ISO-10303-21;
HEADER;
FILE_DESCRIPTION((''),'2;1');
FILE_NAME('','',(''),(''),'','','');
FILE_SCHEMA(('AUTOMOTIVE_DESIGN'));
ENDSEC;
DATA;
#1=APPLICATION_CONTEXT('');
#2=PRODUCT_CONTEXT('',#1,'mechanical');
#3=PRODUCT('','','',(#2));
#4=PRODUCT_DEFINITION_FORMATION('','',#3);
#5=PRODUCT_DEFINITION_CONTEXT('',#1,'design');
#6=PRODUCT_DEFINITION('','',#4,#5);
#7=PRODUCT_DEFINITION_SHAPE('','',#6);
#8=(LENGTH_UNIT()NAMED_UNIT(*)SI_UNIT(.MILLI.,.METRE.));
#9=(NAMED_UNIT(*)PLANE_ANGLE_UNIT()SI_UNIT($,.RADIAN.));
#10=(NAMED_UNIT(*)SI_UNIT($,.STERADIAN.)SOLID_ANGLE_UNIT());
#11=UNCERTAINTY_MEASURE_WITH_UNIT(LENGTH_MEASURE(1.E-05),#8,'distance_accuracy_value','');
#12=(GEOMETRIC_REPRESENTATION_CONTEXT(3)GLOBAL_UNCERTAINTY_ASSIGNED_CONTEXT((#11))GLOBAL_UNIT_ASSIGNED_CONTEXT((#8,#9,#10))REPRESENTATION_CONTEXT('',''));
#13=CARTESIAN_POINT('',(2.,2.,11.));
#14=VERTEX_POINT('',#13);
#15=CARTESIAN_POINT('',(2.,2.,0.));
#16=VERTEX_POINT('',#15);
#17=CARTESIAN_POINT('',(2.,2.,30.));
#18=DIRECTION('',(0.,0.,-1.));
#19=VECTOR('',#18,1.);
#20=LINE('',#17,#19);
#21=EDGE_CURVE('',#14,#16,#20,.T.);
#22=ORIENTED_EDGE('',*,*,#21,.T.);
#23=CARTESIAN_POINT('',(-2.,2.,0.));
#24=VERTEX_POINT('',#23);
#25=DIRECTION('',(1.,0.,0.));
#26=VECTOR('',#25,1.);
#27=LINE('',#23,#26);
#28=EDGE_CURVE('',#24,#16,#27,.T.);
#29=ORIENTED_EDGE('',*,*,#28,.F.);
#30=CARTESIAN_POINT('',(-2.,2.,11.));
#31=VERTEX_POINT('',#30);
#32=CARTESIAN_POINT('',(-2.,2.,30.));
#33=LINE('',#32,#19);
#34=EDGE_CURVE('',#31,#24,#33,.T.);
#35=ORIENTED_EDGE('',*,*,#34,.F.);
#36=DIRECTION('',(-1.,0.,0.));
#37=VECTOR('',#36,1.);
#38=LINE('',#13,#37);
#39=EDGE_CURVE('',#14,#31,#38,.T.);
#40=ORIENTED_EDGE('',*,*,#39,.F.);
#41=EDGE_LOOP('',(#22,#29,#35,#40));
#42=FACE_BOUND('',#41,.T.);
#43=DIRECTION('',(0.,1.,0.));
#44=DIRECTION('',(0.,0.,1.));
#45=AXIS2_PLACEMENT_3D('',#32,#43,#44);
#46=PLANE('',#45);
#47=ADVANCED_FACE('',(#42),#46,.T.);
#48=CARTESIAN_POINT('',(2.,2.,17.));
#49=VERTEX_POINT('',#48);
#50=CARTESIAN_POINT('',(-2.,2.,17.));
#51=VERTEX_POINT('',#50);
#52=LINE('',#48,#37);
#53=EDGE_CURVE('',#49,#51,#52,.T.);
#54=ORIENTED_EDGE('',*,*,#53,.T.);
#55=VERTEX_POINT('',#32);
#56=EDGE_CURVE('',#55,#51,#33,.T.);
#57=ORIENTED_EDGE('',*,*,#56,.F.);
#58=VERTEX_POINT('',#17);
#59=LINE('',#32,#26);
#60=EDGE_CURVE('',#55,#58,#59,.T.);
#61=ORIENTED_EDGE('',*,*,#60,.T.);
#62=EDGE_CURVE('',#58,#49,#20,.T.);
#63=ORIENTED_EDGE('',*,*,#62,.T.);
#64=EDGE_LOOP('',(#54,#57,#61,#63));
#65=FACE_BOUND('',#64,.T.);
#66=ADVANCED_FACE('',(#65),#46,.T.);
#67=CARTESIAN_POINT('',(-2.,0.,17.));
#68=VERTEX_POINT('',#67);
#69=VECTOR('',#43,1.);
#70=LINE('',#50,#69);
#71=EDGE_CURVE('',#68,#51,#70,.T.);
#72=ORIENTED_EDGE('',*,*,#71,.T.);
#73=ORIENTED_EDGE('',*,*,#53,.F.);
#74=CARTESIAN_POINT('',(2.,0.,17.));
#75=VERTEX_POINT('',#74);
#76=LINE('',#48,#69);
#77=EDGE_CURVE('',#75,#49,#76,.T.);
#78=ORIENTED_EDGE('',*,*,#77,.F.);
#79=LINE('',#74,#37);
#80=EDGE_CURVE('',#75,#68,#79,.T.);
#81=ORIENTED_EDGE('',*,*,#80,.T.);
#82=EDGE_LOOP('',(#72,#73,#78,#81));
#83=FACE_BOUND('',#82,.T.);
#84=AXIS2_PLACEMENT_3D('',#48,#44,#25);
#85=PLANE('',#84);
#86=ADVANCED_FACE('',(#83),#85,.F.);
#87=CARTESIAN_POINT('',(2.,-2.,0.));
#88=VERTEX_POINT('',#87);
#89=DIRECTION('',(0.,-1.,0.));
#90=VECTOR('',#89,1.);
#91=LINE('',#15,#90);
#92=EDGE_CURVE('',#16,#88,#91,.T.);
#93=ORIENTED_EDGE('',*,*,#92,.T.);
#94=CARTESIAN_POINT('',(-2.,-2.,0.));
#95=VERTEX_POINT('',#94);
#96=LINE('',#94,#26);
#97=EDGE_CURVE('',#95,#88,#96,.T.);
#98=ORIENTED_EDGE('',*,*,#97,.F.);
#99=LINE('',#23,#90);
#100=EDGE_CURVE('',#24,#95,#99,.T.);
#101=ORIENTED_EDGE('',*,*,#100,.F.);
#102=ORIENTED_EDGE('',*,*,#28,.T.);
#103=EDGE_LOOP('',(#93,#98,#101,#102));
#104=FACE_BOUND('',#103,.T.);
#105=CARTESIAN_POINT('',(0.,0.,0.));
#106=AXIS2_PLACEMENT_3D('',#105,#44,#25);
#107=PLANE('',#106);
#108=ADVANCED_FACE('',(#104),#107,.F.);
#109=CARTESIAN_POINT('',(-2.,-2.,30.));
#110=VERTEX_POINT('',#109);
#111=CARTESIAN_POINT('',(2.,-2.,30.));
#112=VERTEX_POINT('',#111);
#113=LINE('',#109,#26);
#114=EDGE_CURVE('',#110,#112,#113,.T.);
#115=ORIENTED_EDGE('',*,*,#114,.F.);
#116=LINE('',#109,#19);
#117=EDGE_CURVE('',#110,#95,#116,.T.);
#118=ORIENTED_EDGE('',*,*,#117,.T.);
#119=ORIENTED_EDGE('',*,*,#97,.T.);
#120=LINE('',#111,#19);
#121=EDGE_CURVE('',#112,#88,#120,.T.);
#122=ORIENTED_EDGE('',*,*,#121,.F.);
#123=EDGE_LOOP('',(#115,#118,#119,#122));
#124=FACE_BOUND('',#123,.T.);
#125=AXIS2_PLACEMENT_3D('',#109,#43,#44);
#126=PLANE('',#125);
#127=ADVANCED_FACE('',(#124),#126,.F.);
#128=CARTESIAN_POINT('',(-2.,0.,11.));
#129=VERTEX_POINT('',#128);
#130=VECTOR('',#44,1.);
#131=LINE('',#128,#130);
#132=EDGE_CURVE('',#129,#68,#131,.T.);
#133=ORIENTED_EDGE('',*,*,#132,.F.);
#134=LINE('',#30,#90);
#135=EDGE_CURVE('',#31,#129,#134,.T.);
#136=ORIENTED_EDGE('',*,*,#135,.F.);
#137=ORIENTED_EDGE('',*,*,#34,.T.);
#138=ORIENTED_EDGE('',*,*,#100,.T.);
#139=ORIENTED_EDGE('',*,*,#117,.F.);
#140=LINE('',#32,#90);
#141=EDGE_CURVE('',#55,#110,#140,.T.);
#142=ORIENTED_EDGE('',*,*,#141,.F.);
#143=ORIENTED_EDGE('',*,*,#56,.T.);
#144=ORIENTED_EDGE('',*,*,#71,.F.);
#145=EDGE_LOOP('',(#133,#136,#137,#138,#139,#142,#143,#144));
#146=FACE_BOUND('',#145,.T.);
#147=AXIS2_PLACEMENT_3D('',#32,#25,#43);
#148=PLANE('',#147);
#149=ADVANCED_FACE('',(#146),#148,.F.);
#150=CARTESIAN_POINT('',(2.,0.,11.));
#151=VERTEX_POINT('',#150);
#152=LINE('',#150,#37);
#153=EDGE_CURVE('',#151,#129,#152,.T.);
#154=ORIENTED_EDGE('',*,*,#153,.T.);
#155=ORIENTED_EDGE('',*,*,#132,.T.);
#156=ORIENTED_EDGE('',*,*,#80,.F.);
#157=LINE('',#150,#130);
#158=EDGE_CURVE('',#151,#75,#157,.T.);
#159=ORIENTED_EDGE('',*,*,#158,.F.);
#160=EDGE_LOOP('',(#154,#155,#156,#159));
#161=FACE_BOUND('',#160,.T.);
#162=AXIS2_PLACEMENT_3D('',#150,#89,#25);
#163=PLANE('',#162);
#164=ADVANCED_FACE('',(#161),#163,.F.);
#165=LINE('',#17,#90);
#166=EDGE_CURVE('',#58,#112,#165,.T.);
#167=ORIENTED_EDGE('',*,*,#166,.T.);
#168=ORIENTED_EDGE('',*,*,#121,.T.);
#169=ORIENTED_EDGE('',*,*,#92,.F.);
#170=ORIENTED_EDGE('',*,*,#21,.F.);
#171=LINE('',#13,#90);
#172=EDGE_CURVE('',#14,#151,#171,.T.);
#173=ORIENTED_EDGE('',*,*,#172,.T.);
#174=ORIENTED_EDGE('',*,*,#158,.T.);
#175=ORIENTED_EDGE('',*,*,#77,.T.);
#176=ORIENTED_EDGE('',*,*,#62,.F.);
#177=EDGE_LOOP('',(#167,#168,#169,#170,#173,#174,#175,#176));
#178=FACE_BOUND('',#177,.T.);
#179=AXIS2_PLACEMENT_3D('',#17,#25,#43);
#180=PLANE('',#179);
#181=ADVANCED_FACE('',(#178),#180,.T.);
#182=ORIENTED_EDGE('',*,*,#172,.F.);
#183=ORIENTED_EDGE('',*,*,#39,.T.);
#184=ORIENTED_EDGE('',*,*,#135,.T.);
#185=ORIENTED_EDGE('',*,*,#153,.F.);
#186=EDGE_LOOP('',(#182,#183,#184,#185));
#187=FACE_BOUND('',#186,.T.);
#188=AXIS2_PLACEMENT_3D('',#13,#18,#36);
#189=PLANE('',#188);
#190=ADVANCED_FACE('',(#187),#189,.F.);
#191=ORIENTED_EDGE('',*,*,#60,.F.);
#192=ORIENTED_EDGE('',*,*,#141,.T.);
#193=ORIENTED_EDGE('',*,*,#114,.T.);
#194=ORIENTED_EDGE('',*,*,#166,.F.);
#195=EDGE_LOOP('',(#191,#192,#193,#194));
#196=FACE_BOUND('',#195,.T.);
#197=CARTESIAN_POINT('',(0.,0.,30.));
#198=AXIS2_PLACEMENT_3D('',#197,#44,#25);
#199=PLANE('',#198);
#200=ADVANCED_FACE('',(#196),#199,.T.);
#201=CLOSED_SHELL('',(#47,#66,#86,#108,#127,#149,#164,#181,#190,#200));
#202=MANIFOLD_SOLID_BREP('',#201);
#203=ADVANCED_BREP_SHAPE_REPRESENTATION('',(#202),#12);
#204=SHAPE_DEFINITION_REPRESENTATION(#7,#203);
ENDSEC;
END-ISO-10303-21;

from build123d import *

# Parameters (mm, degrees)
SKETCH_1_W          = 4
SKETCH_1_H          = 4
EXTRUDE_1_DEPTH     = 30
SKETCH_4_W          = 6
SKETCH_4_H          = 2
CUT_EXTRUDE_1_DEPTH = 4


with BuildPart() as part:
    # 草圖1 → 填料-伸長1 (new body)
    with BuildSketch(Plane.XY):
        Rectangle(SKETCH_1_W, SKETCH_1_H)
    extrude(amount=EXTRUDE_1_DEPTH)

    # 草圖4 → 除料-伸長1 (cut)
    with BuildSketch(Plane.ZY.offset(2)):
        with Locations((14, 1)):
            Rectangle(SKETCH_4_W, SKETCH_4_H)
    extrude(amount=-CUT_EXTRUDE_1_DEPTH, mode=Mode.SUBTRACT)


solid = part.part
